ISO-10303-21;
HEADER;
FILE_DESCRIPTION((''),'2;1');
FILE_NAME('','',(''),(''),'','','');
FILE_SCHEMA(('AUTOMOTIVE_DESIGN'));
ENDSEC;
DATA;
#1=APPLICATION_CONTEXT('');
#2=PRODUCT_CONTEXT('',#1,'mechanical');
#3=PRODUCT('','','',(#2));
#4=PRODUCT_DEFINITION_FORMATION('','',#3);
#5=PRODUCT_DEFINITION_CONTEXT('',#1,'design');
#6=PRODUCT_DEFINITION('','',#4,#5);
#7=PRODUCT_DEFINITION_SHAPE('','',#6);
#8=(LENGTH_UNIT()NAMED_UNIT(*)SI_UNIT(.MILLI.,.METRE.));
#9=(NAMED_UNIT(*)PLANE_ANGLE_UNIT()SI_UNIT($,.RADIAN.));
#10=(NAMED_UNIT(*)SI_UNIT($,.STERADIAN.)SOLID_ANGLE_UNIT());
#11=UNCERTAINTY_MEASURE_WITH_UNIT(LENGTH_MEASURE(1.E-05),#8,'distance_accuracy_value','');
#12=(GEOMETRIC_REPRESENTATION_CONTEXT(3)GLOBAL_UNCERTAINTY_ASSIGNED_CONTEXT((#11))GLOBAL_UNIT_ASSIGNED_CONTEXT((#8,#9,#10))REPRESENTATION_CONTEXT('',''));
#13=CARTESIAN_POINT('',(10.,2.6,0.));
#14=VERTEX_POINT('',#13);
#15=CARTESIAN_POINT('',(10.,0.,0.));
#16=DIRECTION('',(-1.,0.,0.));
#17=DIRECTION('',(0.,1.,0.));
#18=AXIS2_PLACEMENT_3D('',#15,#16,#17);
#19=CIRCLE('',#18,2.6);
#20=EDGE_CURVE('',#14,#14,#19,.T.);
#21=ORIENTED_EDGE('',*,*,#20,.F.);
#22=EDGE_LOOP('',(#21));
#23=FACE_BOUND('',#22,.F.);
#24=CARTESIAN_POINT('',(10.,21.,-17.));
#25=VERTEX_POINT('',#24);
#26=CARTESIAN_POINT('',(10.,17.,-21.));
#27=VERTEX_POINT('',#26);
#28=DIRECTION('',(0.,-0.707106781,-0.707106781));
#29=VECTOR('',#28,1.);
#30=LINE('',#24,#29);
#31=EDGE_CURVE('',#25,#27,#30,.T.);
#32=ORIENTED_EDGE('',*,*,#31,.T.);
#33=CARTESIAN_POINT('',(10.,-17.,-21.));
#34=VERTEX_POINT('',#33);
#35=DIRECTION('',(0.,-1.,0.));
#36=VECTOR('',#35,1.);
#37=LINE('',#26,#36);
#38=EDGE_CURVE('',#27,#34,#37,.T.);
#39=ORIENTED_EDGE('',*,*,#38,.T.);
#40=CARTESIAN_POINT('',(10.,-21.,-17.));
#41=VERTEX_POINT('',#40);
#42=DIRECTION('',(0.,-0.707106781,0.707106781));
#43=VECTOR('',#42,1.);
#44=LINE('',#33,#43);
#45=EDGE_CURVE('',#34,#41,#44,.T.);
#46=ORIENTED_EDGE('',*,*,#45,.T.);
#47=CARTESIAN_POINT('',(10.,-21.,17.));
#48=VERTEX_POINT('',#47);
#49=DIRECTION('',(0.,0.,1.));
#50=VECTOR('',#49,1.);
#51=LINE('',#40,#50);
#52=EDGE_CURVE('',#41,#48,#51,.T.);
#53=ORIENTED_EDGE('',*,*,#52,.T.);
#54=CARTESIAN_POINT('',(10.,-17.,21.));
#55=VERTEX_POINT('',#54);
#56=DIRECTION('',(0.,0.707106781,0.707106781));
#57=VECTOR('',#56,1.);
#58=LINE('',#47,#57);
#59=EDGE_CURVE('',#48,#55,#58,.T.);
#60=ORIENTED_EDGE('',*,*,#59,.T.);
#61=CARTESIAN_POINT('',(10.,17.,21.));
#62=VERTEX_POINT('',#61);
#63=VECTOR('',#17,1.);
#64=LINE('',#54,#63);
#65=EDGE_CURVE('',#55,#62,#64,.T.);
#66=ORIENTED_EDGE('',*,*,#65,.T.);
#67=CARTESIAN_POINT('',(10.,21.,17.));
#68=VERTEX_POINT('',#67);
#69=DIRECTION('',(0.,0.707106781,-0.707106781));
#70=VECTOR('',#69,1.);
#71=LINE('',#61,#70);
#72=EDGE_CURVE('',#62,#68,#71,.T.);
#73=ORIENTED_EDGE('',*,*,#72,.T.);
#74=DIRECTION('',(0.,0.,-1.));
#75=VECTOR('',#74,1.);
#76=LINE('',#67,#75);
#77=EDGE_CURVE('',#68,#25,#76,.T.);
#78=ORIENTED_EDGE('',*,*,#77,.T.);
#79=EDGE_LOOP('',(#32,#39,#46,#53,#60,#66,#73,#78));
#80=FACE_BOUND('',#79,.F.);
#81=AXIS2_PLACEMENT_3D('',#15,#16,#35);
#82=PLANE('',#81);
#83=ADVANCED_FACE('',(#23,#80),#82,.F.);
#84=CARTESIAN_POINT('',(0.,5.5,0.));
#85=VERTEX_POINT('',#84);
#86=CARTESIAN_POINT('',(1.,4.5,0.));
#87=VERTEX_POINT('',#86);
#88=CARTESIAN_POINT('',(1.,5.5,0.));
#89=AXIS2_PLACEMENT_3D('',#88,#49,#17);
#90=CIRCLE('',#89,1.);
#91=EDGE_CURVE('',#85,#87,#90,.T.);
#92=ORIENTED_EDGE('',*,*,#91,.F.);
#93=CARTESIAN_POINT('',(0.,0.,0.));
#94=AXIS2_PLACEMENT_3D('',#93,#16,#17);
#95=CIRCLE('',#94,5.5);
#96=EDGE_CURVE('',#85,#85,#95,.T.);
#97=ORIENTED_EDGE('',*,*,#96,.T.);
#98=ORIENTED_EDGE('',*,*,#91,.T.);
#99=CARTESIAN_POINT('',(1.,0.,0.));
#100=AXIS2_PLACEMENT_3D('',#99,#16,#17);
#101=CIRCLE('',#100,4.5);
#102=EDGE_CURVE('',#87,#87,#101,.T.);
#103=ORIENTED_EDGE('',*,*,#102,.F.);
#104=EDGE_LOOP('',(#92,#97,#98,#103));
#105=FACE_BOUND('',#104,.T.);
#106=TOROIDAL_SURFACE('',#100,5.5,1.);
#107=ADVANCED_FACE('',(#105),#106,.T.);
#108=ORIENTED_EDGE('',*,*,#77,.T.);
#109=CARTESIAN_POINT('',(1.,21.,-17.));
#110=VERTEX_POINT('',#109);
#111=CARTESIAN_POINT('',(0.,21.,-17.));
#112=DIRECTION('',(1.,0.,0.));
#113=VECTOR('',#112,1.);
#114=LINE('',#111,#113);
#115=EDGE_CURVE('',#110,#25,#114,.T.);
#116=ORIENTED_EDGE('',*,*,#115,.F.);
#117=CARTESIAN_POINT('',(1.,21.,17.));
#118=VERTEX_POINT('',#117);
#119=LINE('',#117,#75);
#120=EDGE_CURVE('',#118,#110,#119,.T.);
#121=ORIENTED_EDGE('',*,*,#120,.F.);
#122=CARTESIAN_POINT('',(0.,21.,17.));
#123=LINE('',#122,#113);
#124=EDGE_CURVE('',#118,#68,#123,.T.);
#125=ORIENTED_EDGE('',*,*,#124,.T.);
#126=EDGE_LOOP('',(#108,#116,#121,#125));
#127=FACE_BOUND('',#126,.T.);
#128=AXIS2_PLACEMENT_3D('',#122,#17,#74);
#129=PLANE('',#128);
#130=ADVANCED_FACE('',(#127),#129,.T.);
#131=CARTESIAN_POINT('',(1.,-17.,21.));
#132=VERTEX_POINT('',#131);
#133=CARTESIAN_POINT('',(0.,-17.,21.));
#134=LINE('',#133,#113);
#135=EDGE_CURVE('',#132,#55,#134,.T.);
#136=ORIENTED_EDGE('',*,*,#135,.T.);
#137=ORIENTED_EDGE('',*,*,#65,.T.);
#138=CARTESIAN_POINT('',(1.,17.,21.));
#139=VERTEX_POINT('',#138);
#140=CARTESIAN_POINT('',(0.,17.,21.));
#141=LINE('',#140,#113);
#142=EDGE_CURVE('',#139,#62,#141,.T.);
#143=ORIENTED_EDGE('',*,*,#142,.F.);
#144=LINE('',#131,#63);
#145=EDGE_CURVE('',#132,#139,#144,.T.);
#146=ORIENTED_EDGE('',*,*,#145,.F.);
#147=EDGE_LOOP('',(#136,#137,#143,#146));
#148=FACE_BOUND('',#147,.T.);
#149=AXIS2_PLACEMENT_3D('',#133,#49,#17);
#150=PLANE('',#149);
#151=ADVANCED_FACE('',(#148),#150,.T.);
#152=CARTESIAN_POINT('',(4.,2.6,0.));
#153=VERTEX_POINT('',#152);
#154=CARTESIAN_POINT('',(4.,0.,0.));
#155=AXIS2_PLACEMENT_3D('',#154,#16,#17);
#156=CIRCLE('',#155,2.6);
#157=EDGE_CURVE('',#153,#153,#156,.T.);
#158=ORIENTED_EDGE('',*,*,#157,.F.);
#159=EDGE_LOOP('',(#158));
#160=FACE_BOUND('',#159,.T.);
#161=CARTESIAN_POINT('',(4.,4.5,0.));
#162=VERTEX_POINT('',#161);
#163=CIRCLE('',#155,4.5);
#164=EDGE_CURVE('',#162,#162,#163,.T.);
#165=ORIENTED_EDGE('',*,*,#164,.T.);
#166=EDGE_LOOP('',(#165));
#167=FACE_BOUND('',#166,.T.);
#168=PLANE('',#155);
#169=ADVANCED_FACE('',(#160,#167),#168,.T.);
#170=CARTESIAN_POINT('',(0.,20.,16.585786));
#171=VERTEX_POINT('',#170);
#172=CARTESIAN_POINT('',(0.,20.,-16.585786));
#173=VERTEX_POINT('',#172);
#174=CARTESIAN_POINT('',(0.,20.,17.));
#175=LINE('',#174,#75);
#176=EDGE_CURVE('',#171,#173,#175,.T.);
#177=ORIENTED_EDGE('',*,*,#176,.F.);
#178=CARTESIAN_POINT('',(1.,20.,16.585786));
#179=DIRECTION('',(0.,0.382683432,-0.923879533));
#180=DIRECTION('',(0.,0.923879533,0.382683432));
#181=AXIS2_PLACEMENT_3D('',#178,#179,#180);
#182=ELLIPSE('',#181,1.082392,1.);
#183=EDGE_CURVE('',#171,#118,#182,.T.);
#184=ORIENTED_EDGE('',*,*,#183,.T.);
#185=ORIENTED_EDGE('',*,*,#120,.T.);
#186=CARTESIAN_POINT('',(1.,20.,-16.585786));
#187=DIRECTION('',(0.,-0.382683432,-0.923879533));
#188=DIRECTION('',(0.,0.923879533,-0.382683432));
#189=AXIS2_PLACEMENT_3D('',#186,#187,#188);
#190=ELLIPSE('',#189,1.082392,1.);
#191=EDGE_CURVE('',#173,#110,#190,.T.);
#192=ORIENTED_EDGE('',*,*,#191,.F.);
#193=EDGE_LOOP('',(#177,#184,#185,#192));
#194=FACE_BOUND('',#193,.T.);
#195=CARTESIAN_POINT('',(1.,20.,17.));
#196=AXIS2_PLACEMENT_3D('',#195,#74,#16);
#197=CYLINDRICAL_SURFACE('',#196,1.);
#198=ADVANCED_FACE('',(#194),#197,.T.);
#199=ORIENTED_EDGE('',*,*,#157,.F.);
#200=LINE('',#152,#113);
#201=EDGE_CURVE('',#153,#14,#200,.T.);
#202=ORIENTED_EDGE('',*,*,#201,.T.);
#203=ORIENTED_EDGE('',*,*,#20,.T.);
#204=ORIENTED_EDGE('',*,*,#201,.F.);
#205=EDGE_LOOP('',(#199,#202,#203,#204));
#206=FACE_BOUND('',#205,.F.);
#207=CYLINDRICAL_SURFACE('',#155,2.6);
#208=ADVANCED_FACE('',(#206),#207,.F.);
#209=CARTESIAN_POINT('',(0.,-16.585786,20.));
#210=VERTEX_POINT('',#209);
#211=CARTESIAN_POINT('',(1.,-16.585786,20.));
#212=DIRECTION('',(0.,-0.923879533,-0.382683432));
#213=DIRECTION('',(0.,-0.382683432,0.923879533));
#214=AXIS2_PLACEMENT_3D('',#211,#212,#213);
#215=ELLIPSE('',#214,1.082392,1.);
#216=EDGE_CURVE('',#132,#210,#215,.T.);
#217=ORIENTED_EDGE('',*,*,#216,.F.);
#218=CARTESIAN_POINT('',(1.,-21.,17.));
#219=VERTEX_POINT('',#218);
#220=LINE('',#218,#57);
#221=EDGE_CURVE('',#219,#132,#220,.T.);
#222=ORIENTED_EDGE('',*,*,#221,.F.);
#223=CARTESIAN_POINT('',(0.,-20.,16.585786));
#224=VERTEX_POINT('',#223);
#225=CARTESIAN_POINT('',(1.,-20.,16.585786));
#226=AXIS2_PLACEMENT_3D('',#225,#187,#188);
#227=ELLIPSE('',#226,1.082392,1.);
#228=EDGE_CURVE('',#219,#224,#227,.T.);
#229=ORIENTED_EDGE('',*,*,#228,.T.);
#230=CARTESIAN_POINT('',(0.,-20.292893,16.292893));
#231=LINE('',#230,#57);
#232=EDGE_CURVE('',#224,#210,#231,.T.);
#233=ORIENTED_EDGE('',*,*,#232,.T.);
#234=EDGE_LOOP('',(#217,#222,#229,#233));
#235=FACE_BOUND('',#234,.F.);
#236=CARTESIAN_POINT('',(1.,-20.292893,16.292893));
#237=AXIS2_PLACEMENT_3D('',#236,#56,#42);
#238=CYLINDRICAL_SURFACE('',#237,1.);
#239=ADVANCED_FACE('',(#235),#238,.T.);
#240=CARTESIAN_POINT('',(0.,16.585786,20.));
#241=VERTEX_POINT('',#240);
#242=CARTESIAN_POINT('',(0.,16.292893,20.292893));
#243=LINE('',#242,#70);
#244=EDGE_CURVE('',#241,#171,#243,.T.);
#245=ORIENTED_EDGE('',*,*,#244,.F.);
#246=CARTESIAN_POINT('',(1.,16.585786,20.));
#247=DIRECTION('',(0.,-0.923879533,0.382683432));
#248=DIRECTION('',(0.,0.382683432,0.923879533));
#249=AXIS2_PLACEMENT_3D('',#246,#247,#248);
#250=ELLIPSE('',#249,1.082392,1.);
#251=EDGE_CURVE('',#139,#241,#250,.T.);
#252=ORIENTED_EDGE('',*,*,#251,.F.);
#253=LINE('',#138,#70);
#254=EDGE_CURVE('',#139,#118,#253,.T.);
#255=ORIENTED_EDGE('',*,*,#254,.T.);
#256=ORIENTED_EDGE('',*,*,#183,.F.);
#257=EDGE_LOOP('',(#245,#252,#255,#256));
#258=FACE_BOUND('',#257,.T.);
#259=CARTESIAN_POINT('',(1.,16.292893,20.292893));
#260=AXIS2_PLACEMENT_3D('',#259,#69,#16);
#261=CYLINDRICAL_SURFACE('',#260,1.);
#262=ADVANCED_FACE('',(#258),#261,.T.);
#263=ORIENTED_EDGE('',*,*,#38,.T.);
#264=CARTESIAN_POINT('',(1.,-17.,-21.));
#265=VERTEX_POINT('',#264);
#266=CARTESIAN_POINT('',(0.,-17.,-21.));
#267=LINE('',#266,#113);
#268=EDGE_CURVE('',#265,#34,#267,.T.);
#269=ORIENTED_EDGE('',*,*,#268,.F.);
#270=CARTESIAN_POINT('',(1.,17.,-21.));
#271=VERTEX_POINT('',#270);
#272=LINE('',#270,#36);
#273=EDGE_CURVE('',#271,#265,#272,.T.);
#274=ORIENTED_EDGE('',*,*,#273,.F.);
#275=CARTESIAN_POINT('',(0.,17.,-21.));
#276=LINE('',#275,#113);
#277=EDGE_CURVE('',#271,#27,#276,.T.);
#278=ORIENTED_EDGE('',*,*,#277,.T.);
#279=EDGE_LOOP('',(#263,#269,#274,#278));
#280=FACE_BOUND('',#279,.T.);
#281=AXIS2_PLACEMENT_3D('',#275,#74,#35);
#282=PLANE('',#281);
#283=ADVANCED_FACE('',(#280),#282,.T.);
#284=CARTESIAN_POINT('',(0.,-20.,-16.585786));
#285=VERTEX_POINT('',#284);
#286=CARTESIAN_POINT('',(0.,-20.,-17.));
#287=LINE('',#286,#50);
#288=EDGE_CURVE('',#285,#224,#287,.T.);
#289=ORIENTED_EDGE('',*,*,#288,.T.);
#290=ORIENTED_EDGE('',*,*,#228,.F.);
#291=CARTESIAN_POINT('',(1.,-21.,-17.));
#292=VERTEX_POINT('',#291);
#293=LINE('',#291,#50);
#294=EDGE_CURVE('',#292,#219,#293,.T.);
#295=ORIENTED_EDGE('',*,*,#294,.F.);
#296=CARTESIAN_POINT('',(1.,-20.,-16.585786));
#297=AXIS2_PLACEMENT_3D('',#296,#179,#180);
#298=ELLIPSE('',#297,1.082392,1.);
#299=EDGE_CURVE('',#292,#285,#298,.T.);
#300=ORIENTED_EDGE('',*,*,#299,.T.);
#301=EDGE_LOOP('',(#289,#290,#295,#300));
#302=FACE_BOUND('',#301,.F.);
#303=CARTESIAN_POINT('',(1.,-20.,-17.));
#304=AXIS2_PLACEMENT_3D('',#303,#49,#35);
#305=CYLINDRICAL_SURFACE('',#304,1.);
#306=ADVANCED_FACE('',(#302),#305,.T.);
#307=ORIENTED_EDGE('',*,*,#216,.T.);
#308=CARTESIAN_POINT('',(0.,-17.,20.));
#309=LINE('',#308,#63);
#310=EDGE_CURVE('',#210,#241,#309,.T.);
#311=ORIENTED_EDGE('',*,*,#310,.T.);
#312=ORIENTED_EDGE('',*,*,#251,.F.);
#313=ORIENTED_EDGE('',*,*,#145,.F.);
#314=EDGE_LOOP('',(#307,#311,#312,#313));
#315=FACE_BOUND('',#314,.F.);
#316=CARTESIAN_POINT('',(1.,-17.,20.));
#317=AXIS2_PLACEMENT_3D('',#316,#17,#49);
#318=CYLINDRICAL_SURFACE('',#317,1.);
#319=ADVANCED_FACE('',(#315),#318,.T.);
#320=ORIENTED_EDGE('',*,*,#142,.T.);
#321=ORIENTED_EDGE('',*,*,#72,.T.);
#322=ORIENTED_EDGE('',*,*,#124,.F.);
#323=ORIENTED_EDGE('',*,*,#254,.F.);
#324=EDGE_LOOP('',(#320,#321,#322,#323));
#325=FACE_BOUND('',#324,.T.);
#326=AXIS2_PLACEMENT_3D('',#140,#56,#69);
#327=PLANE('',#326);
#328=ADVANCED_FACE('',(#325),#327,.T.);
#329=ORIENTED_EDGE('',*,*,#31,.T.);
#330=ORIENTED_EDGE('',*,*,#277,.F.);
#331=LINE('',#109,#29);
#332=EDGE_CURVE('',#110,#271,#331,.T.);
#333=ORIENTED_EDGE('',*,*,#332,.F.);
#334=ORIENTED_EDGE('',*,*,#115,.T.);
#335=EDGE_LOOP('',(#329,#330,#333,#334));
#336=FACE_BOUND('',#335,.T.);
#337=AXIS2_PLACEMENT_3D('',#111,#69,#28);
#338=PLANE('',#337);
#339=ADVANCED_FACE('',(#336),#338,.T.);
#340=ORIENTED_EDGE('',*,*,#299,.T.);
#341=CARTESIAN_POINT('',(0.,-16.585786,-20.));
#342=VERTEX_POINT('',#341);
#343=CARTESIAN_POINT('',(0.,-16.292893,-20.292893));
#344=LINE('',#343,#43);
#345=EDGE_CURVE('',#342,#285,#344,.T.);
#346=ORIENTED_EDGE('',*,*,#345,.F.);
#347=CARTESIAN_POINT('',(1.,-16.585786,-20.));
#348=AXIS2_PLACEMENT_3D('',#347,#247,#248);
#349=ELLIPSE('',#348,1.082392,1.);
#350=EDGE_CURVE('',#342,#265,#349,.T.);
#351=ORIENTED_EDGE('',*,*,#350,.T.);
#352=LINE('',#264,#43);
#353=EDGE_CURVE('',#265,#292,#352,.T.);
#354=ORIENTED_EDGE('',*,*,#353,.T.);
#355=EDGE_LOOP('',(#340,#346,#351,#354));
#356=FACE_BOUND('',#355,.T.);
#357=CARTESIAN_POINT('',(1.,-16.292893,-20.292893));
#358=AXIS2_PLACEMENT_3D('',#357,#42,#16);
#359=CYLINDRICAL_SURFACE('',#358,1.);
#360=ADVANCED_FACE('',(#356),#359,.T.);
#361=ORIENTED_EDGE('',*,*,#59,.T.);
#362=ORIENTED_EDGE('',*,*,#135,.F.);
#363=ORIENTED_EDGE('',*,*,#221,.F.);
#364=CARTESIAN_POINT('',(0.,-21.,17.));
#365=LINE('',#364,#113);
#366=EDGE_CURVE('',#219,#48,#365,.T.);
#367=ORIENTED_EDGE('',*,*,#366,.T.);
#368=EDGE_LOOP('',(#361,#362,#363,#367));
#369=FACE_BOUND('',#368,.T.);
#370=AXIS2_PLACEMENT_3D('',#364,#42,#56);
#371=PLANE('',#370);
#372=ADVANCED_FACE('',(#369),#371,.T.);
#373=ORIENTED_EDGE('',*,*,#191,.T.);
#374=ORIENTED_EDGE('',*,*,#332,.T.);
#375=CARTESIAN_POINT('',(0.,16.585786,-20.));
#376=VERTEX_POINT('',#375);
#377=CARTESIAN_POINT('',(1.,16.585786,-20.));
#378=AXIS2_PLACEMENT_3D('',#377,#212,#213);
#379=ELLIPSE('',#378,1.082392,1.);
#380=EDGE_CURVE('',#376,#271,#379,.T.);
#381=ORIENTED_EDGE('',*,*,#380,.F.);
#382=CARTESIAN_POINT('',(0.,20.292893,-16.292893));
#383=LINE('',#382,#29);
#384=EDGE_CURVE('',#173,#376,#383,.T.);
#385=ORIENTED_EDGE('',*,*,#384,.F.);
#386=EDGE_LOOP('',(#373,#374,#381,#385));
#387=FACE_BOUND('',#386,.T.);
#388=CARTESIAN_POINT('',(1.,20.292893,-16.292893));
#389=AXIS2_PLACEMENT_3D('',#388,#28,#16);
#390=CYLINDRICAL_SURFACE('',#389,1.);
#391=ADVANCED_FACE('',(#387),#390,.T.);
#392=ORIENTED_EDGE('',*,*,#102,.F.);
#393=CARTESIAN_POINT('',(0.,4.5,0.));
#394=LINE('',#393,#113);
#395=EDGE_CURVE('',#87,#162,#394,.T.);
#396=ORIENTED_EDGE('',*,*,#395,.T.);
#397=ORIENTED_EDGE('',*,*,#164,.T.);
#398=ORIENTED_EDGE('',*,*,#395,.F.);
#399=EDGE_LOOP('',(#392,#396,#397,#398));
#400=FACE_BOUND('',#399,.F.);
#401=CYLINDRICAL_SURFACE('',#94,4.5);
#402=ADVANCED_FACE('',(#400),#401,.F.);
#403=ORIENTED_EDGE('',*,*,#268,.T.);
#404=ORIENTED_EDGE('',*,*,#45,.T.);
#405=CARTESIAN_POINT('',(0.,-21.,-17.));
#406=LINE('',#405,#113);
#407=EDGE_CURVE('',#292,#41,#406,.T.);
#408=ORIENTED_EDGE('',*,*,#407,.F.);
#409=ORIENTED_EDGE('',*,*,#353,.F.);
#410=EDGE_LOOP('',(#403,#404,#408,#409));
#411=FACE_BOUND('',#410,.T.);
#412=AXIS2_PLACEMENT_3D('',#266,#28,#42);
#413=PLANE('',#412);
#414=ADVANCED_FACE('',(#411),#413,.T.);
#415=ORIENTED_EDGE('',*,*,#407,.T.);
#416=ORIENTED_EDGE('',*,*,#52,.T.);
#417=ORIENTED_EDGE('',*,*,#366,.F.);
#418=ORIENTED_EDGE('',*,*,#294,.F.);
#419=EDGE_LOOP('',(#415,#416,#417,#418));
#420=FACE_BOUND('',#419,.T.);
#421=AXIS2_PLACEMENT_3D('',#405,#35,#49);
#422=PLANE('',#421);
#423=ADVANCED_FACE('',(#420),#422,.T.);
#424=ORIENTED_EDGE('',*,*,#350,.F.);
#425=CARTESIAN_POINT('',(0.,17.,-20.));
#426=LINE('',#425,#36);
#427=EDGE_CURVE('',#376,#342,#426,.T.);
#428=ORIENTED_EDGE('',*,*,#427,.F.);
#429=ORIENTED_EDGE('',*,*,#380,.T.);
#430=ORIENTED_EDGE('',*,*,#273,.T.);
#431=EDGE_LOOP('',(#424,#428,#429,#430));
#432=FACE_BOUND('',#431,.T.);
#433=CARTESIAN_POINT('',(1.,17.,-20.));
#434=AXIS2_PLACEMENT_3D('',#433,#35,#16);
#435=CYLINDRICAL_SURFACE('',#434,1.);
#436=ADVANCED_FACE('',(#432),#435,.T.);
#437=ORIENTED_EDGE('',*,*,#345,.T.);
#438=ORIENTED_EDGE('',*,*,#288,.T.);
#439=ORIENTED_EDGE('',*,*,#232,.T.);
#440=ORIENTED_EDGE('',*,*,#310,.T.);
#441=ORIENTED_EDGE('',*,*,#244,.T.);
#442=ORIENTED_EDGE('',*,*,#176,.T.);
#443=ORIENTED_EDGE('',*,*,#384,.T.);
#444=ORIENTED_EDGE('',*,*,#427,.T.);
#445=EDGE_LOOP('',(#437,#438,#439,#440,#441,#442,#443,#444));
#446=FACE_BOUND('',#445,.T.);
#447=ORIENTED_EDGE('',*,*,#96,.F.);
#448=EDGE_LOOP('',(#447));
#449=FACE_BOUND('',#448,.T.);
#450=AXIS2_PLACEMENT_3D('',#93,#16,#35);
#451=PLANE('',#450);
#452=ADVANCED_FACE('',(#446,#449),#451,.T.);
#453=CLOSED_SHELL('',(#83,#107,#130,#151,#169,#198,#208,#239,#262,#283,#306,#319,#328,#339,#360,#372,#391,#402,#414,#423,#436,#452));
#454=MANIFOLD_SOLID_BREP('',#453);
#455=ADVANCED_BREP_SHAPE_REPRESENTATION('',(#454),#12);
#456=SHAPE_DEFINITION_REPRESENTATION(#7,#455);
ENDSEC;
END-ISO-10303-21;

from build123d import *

# Parameters (mm, degrees)
PAD002_DEPTH    = 10
SKETCH008_R     = 4.5
POCKET003_DEPTH = 4
SKETCH009_R     = 2.6
POCKET004_DEPTH = 6.001
FILLET001_R     = 1


with BuildPart() as part:
    # Sketch007 → Pad002 (new body)
    with BuildSketch(Plane.YZ):
        Polygon((-21, 17), (-17, 21), (17, 21), (21, 17), (21, -17), (17, -21), (-17, -21), (-21, -17), align=None)
    extrude(amount=PAD002_DEPTH)

    # Sketch008 (on Face9 of Pad002) → Pocket003 (cut)
    with BuildSketch(Plane(origin=(0, 0, 0), x_dir=(0, 1, 0), z_dir=(-1, 0, 0))):
        Circle(SKETCH008_R)
    extrude(amount=-POCKET003_DEPTH, mode=Mode.SUBTRACT)

    # Sketch009 (on Face12 of Pocket003) → Pocket004 (cut, through all)
    with BuildSketch(Plane(origin=(4, 0, 0), x_dir=(0, 1, 0), z_dir=(-1, 0, 0))):
        Circle(SKETCH009_R)
    extrude(amount=-POCKET004_DEPTH, mode=Mode.SUBTRACT)

    # Fillet001
    fillet001_edges = [part.edges().sort_by_distance(p)[0] for p in [
        (0, -19, 19),
        (0, -21, 0),
        (0, 0, 21),
        (0, -19, -19),
        (0, 19, 19),
        (0, 0, -21),
        (0, 21, 0),
        (0, 19, -19),
        (0, -4.5, 0),
    ]]
    fillet(fillet001_edges, radius=FILLET001_R)


solid = part.part
